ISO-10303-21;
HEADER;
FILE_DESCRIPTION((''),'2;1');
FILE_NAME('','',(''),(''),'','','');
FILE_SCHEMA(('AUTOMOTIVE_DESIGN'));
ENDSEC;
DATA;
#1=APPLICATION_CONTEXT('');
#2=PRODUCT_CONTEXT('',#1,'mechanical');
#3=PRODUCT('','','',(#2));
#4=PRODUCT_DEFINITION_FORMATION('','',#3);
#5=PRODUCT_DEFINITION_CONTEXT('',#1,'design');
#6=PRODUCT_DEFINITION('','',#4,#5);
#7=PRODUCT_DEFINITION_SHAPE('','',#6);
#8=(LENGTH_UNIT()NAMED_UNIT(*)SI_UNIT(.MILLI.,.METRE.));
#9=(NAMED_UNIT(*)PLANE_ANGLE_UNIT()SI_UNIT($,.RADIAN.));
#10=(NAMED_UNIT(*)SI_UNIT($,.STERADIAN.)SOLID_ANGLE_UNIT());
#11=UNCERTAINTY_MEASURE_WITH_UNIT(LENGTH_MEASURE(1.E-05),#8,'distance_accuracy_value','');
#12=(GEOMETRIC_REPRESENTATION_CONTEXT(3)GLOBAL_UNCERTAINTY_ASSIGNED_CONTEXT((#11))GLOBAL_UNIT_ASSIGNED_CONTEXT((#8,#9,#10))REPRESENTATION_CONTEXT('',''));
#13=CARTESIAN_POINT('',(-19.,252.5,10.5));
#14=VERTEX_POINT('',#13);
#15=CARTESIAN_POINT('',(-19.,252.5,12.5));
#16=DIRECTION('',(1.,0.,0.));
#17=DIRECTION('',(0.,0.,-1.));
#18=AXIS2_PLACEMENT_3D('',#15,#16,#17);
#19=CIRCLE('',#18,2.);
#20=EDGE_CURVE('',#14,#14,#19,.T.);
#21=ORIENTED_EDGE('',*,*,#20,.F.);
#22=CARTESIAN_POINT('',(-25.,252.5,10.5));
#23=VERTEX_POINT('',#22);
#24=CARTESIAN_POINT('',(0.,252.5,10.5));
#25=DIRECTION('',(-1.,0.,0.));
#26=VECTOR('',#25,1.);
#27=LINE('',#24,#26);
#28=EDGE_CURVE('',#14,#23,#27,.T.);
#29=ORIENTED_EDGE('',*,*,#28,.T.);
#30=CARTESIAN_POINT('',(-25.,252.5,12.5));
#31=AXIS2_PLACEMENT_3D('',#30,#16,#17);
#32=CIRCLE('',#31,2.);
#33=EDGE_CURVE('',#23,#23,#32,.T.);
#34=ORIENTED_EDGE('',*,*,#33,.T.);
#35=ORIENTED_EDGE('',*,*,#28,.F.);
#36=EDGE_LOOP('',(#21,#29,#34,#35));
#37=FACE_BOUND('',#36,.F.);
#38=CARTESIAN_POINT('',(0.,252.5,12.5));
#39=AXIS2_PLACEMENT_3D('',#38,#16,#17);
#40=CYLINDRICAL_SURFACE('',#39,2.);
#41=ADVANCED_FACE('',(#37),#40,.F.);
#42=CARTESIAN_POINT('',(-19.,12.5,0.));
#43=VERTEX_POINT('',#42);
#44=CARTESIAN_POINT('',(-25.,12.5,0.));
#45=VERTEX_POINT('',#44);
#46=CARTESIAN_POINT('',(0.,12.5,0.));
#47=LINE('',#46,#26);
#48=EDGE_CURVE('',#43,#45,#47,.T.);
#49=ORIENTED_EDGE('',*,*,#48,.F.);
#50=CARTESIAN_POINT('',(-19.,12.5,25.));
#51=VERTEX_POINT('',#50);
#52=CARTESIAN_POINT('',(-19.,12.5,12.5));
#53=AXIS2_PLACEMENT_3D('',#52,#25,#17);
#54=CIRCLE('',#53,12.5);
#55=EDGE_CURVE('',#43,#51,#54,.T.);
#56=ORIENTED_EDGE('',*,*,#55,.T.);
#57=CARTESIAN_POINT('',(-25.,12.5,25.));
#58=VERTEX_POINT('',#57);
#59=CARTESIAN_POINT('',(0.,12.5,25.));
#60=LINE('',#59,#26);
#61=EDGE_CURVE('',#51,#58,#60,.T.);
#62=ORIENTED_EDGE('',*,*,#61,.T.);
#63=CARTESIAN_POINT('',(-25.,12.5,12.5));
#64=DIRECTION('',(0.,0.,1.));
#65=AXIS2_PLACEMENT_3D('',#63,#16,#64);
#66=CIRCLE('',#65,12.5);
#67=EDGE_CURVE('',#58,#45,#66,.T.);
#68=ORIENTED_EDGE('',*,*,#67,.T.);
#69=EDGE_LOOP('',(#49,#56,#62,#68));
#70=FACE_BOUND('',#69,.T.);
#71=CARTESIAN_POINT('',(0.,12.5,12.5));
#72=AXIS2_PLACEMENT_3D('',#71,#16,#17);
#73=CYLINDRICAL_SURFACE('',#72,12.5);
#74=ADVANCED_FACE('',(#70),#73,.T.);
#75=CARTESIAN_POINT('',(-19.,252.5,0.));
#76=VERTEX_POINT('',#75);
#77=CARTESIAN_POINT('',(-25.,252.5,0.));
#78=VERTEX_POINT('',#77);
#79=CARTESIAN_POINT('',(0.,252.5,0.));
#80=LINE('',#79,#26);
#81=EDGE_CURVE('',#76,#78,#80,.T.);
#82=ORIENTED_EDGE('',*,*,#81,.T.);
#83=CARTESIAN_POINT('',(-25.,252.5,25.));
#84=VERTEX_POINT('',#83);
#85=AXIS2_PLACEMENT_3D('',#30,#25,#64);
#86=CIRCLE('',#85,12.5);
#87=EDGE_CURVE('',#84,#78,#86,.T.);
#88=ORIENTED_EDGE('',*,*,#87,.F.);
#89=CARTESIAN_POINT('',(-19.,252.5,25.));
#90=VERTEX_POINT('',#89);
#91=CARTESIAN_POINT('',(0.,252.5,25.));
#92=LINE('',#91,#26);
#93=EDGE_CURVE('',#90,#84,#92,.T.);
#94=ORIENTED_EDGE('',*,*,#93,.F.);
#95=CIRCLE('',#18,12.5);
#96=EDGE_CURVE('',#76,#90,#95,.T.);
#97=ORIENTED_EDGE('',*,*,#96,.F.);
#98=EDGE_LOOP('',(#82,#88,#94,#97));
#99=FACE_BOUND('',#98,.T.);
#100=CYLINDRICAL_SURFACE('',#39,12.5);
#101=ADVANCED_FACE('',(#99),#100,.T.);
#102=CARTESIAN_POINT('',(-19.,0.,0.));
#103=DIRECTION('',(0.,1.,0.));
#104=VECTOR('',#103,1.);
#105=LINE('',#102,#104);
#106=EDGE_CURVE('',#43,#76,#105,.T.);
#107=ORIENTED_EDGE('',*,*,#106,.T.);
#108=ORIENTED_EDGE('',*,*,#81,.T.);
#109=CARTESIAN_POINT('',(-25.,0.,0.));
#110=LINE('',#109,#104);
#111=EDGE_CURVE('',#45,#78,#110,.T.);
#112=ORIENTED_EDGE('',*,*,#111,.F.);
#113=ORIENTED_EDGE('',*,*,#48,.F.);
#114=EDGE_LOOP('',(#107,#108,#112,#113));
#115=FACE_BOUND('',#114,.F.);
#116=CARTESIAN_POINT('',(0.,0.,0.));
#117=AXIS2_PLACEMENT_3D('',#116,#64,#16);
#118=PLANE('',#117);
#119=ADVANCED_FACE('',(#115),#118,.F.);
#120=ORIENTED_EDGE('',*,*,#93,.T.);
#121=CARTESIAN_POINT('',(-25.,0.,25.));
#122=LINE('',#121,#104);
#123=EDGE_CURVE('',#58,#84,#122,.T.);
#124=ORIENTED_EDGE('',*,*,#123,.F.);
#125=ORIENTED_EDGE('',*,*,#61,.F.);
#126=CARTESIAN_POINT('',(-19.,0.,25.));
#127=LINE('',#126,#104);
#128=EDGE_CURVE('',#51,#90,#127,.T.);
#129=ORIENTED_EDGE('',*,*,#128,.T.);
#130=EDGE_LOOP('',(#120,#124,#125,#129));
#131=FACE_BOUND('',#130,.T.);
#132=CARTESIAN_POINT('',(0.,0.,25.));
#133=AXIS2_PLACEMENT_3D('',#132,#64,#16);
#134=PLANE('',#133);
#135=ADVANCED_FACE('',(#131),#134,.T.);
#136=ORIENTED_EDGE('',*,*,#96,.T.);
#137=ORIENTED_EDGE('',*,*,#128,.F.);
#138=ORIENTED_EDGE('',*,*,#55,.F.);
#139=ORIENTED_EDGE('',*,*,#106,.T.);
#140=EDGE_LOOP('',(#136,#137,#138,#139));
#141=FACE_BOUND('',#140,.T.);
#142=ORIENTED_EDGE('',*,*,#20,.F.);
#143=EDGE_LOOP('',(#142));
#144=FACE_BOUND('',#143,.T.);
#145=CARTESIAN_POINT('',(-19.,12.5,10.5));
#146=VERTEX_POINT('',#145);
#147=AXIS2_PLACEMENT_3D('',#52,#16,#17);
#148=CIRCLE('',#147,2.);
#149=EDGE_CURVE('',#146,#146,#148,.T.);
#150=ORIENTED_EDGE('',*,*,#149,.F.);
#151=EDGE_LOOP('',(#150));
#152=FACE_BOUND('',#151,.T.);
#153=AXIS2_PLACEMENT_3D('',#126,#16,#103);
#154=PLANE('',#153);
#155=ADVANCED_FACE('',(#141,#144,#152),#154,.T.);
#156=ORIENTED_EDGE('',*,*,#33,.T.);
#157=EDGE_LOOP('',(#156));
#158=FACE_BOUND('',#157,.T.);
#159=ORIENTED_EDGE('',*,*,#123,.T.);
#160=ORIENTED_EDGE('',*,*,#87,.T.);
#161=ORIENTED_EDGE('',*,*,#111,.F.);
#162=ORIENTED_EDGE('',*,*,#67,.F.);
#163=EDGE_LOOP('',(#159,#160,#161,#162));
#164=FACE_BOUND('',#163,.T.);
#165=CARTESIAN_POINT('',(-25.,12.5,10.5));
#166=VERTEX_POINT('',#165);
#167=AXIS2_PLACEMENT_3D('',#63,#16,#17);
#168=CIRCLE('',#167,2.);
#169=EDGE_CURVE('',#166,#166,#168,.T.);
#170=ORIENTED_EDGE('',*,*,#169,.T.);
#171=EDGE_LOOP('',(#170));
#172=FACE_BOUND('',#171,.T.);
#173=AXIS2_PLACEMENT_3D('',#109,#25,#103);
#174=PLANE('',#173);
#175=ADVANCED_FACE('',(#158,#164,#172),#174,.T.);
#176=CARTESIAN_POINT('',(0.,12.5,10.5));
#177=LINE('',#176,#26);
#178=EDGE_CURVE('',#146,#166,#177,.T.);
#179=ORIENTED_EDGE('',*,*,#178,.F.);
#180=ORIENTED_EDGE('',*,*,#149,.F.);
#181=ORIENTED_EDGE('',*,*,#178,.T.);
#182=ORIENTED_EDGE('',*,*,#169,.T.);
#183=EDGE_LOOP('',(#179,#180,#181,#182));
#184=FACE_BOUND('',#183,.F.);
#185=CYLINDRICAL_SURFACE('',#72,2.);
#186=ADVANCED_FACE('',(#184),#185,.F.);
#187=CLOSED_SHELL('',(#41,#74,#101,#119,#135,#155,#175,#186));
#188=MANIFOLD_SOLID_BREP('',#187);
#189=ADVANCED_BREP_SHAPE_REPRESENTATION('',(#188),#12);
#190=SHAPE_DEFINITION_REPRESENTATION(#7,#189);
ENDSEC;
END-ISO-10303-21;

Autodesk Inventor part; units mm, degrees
ref_plane "YZ Plane" through (0, 0, 0) normal (1, 0, 0) x (0, 1, 0)
ref_plane "XZ Plane" through (0, 0, 0) normal (0, 1, 0) x (-1, 0, 0)
ref_plane "XY Plane" through (0, 0, 0) normal (0, 0, 1) x (1, 0, 0)
sketch "Sketch1" plane through (0, 0, 0) normal (0, 0, 1) x (1, 0, 0)
  line L0 (0, 0) -> (-25, 0)
  line L1 (-25, 0) -> (-25, 265)
  line L2 (-25, 265) -> (0, 265)
  line L3 (0, 265) -> (0, 0)
  dimension "d0" = 265
  dimension "d1" = 25
extrude "Extrusion1" add sketch "Sketch1" along normal blind 25
sketch "Sketch2" plane through (0, 0, 0) normal (1, 0, 0) x (0, 0, -1)
  circle A0 centre (-12.5, 12.5) radius 12.5
  line L0 (0, 0) -> (-25, 0) projected
  circle A1 centre (-12.5, 12.5) radius 2
  circle A2 centre (-12.5, 252.5) radius 12.5
  line L1 (0, 265) -> (-25, 265) projected
  circle A3 centre (-12.5, 252.5) radius 2
  line L2 (0, 0) -> (0, 265) projected
  line L3 (-25, 0) -> (-25, 265) projected
  point P0 (-12.5, 0)
  point P1 (-25, 252.5)
  point P2 (-12.5, 265)
  point P3 (0, 252.5)
  point P4 (-25, 12.5)
  point P5 (-12.5, 0)
  point P6 (0, 12.5)
  dimension "d4" = 25
  dimension "d5" = 12.5
  dimension "d6" = 4
  dimension "d7" = 25
  dimension "d8" = 12.5
  dimension "d9" = 4
  dimension "d10" = 12.5
  dimension "d11" = 12.5
extrude "Extrusion2" cut sketch "Sketch2" against normal blind 25 contours L2 L0 A0 | A0 L0 L3 | A2 L1 L2 | L3 L1 A2 | A1 | A3
sketch "Sketch3" plane through (0, 0, 25) normal (0, 0, 1) x (1, 0, 0)
  line L0 (-25, 265) -> (0, 265) projected
  line L1 (0, 0) -> (-19, 0)
  line L2 (-19, 0) -> (-19, 265)
  line L3 (-19, 265) -> (0, 265)
  line L4 (0, 265) -> (0, 0)
  point P0 (0, 265)
  dimension "d14" = 19
extrude "Extrusion3" cut sketch "Sketch3" against normal blind 100
properties part number "Vertical"
